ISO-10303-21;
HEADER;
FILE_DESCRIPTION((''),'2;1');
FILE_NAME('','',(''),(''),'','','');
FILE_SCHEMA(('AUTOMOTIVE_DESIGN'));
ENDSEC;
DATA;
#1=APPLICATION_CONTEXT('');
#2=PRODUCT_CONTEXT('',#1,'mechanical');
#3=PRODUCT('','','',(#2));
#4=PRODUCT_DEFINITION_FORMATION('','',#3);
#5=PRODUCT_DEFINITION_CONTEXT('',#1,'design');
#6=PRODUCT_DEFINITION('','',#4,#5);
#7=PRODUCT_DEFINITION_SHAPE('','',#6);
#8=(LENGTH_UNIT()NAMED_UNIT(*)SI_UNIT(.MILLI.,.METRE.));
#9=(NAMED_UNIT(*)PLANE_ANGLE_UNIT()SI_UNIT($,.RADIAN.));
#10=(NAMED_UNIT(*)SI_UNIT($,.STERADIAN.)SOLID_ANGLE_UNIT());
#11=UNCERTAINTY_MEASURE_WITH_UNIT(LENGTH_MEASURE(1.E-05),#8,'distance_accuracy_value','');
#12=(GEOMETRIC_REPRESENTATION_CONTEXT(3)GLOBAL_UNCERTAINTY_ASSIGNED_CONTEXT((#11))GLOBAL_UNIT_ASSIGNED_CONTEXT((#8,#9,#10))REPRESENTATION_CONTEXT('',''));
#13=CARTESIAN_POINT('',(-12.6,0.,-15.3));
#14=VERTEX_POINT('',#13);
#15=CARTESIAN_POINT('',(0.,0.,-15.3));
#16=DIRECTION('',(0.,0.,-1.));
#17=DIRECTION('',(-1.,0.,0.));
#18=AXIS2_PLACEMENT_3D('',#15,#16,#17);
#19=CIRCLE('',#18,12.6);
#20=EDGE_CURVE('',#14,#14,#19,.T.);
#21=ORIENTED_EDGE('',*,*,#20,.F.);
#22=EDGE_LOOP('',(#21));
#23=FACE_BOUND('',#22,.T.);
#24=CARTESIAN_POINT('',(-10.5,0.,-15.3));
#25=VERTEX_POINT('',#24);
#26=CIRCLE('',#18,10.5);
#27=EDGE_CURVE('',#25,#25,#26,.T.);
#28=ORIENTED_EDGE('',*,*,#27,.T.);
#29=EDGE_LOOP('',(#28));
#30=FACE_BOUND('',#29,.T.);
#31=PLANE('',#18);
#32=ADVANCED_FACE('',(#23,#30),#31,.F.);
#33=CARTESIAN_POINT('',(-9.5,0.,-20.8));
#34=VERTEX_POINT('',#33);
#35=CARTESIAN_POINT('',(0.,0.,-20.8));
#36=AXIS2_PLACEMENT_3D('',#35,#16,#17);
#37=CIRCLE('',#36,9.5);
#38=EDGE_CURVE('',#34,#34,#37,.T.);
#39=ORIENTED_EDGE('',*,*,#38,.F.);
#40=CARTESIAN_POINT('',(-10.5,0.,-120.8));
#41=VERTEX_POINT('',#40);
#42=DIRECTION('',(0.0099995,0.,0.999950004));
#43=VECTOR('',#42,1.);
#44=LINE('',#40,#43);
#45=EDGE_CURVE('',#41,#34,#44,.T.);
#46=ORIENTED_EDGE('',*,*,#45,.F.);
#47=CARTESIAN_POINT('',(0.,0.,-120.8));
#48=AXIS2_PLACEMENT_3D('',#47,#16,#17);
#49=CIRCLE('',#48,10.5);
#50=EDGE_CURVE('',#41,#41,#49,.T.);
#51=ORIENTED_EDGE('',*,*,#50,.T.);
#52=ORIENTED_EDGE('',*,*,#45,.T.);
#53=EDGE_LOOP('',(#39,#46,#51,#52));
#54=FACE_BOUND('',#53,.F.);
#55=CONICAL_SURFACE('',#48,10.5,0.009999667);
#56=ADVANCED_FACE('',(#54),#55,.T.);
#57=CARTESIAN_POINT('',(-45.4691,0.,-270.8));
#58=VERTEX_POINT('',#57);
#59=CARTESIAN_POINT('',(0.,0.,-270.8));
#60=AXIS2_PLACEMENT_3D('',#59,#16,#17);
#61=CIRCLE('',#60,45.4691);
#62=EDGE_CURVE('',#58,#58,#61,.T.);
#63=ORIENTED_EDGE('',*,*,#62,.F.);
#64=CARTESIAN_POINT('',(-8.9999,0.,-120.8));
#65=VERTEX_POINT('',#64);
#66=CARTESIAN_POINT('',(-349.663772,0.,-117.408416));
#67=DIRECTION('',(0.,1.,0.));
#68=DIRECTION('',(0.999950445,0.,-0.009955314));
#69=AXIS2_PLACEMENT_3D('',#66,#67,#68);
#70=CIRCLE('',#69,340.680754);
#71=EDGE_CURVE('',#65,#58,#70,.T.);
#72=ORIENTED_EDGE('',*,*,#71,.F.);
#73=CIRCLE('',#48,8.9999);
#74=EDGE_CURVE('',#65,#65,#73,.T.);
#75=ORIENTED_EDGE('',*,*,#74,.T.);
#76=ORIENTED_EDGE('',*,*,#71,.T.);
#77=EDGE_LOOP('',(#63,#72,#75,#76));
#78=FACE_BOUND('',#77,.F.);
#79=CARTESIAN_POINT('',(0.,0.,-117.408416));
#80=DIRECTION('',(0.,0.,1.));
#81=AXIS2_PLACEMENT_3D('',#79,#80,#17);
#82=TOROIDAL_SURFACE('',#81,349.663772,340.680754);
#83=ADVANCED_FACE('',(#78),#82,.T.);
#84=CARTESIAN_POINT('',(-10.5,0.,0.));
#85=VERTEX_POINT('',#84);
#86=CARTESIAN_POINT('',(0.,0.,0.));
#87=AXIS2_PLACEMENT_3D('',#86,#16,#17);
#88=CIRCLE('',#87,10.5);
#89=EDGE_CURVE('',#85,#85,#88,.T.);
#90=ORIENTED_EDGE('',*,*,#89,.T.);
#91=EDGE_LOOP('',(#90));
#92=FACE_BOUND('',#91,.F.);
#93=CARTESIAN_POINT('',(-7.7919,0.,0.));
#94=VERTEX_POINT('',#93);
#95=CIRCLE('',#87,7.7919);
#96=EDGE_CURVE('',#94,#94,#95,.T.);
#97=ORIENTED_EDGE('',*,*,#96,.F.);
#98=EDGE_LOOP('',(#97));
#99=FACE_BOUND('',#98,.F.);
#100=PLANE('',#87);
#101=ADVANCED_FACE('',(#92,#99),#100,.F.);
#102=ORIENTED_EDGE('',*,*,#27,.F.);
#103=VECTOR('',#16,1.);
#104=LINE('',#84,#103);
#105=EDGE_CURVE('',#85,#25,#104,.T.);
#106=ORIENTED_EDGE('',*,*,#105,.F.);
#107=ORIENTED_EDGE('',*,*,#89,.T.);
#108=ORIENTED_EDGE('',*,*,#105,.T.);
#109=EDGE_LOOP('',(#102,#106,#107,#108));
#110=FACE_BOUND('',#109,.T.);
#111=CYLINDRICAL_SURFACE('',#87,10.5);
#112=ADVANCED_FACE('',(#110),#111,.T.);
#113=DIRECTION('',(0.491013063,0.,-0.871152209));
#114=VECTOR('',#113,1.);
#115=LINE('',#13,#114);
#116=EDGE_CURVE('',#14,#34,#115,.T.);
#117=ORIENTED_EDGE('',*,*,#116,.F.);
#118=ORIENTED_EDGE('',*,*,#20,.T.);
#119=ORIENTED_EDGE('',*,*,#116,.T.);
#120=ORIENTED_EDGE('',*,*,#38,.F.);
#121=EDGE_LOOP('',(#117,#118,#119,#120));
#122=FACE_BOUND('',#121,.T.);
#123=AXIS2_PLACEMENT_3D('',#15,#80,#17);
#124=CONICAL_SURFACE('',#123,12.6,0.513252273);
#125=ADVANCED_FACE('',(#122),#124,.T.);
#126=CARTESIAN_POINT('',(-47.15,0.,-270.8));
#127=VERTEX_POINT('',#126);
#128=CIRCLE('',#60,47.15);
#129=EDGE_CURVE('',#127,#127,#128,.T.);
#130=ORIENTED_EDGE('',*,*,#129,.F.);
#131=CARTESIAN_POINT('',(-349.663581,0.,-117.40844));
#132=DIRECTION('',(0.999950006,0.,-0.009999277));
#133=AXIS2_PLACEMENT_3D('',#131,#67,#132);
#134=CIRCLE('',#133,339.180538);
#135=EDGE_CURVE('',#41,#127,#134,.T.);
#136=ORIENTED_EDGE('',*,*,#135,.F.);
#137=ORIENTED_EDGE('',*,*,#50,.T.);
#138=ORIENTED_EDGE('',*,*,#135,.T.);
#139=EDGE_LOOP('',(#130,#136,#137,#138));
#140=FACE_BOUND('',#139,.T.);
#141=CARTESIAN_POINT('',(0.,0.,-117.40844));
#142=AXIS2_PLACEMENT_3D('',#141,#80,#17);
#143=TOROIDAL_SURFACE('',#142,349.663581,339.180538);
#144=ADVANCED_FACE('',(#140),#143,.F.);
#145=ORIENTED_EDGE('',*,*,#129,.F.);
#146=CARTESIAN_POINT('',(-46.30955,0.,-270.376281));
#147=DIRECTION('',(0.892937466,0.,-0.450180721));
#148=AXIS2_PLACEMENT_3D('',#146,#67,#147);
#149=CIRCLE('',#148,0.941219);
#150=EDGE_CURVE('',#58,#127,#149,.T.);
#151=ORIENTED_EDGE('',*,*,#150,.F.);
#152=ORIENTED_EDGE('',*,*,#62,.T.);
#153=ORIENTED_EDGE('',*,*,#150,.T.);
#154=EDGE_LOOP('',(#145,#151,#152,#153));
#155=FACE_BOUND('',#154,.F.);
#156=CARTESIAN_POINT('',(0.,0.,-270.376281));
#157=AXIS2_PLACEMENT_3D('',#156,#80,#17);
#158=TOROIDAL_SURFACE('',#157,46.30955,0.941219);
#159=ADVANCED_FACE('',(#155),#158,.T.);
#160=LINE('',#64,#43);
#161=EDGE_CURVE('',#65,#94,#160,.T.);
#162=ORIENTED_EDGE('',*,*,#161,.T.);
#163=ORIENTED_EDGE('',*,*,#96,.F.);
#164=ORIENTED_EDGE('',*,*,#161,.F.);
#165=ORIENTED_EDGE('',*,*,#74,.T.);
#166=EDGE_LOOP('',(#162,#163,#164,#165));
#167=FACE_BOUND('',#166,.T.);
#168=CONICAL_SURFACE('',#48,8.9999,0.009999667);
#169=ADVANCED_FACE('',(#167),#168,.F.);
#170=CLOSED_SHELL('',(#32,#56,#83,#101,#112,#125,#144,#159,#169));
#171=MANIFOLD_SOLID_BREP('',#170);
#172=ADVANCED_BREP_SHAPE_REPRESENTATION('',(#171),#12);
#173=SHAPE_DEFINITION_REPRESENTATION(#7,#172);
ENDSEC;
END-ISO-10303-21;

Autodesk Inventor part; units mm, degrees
ref_plane "YZ Plane" through (0, 0, 0) normal (1, 0, 0) x (0, 1, 0)
ref_plane "XZ Plane" through (0, 0, 0) normal (0, 1, 0) x (-1, 0, 0)
ref_plane "XY Plane" through (0, 0, 0) normal (0, 0, 1) x (1, 0, 0)
sketch "Sketch1" plane through (0, 0, 0) normal (0, 1, 0) x (-1, 0, 0)
  line L0 (0, 0) -> (0, -270.8) construction
  line L1 (0, -270.8) -> (47.15, -270.8) construction
  line L2 (0, -120.8) -> (10.5, -120.8) construction
  line L3 (0, -20.8) -> (9.5, -20.8) construction
  line L4 (0, -15.3) -> (12.6, -15.3) construction
  line L5 (0, 0) -> (10.5, 0) construction
  line L6 (10.5, 0) -> (10.5, -15.3)
  line L7 (10.5, -15.3) -> (12.6, -15.3)
  line L8 (12.6, -15.3) -> (9.5, -20.8)
  line L9 (10.5, -120.8) -> (9.5, -20.8)
  arc A0 (10.5, -120.8) -> (47.15, -270.8) centre (349.6639, -117.4084) ccw
  arc A1 (8.9999, -120.8) -> (45.4691, -270.8) centre (349.6639, -117.4084) ccw
  line L10 (8.9999, -120.8) -> (7.7919, 0)
  line L11 (10.5, 0) -> (7.7919, 0)
  arc A2 (45.4691, -270.8) -> (47.15, -270.8) centre (46.3096, -270.3762) ccw
  dimension "d0" = 15.3
  dimension "d1" = 5.5
  dimension "d2" = 100
  dimension "d3" = 150
  dimension "d4" = 47.15
  dimension "d5" = 10.5
  dimension "d6" = 9.5
  dimension "d7" = 12.6
  dimension "d8" = 10.5
  dimension "d9" = 1.5
revolve "Revolution1" add sketch "Sketch1" angle 360 about axis through (0, 0, 0) along (0, 0, -1)
thread "Thread1" size "M22x3" class "6g" standard "ANSI Metric M Profile" full length
equation "\"d0\" = Mount_Length"
equation "\"d1\" = Mount_Flange_Length"
equation "\"d2\" = Transition_Length"
equation "\"d3\" = Flare_Length"
equation "\"d4\" = Flare_Diameter"
equation "\"d5\" = Transition_Diameter"
equation "\"d6\" = Tail_Diameter"
equation "\"d7\" = Mount_Flange_Diameter"
equation "\"d8\" = Mount_Diameter"
equation "\"d9\" = Bell_Thickness"
equation "\"Transition_Length\" = 100"
equation "\"Mount_Length\" = 15.3"
equation "\"Mount_Flange_Length\" = 5.5"
equation "\"Flare_Length\" = 150"
equation "\"Flare_Diameter\" = 47.15"
equation "\"Transition_Diameter\" = 10.5"
equation "\"Tail_Diameter\" = 9.5"
equation "\"Mount_Flange_Diameter\" = 12.6"
equation "\"Mount_Diameter\" = 10.5"
equation "\"Bell_Thickness\" = 1.5"
properties part number "Horn_B" material "Steel, Cast"
